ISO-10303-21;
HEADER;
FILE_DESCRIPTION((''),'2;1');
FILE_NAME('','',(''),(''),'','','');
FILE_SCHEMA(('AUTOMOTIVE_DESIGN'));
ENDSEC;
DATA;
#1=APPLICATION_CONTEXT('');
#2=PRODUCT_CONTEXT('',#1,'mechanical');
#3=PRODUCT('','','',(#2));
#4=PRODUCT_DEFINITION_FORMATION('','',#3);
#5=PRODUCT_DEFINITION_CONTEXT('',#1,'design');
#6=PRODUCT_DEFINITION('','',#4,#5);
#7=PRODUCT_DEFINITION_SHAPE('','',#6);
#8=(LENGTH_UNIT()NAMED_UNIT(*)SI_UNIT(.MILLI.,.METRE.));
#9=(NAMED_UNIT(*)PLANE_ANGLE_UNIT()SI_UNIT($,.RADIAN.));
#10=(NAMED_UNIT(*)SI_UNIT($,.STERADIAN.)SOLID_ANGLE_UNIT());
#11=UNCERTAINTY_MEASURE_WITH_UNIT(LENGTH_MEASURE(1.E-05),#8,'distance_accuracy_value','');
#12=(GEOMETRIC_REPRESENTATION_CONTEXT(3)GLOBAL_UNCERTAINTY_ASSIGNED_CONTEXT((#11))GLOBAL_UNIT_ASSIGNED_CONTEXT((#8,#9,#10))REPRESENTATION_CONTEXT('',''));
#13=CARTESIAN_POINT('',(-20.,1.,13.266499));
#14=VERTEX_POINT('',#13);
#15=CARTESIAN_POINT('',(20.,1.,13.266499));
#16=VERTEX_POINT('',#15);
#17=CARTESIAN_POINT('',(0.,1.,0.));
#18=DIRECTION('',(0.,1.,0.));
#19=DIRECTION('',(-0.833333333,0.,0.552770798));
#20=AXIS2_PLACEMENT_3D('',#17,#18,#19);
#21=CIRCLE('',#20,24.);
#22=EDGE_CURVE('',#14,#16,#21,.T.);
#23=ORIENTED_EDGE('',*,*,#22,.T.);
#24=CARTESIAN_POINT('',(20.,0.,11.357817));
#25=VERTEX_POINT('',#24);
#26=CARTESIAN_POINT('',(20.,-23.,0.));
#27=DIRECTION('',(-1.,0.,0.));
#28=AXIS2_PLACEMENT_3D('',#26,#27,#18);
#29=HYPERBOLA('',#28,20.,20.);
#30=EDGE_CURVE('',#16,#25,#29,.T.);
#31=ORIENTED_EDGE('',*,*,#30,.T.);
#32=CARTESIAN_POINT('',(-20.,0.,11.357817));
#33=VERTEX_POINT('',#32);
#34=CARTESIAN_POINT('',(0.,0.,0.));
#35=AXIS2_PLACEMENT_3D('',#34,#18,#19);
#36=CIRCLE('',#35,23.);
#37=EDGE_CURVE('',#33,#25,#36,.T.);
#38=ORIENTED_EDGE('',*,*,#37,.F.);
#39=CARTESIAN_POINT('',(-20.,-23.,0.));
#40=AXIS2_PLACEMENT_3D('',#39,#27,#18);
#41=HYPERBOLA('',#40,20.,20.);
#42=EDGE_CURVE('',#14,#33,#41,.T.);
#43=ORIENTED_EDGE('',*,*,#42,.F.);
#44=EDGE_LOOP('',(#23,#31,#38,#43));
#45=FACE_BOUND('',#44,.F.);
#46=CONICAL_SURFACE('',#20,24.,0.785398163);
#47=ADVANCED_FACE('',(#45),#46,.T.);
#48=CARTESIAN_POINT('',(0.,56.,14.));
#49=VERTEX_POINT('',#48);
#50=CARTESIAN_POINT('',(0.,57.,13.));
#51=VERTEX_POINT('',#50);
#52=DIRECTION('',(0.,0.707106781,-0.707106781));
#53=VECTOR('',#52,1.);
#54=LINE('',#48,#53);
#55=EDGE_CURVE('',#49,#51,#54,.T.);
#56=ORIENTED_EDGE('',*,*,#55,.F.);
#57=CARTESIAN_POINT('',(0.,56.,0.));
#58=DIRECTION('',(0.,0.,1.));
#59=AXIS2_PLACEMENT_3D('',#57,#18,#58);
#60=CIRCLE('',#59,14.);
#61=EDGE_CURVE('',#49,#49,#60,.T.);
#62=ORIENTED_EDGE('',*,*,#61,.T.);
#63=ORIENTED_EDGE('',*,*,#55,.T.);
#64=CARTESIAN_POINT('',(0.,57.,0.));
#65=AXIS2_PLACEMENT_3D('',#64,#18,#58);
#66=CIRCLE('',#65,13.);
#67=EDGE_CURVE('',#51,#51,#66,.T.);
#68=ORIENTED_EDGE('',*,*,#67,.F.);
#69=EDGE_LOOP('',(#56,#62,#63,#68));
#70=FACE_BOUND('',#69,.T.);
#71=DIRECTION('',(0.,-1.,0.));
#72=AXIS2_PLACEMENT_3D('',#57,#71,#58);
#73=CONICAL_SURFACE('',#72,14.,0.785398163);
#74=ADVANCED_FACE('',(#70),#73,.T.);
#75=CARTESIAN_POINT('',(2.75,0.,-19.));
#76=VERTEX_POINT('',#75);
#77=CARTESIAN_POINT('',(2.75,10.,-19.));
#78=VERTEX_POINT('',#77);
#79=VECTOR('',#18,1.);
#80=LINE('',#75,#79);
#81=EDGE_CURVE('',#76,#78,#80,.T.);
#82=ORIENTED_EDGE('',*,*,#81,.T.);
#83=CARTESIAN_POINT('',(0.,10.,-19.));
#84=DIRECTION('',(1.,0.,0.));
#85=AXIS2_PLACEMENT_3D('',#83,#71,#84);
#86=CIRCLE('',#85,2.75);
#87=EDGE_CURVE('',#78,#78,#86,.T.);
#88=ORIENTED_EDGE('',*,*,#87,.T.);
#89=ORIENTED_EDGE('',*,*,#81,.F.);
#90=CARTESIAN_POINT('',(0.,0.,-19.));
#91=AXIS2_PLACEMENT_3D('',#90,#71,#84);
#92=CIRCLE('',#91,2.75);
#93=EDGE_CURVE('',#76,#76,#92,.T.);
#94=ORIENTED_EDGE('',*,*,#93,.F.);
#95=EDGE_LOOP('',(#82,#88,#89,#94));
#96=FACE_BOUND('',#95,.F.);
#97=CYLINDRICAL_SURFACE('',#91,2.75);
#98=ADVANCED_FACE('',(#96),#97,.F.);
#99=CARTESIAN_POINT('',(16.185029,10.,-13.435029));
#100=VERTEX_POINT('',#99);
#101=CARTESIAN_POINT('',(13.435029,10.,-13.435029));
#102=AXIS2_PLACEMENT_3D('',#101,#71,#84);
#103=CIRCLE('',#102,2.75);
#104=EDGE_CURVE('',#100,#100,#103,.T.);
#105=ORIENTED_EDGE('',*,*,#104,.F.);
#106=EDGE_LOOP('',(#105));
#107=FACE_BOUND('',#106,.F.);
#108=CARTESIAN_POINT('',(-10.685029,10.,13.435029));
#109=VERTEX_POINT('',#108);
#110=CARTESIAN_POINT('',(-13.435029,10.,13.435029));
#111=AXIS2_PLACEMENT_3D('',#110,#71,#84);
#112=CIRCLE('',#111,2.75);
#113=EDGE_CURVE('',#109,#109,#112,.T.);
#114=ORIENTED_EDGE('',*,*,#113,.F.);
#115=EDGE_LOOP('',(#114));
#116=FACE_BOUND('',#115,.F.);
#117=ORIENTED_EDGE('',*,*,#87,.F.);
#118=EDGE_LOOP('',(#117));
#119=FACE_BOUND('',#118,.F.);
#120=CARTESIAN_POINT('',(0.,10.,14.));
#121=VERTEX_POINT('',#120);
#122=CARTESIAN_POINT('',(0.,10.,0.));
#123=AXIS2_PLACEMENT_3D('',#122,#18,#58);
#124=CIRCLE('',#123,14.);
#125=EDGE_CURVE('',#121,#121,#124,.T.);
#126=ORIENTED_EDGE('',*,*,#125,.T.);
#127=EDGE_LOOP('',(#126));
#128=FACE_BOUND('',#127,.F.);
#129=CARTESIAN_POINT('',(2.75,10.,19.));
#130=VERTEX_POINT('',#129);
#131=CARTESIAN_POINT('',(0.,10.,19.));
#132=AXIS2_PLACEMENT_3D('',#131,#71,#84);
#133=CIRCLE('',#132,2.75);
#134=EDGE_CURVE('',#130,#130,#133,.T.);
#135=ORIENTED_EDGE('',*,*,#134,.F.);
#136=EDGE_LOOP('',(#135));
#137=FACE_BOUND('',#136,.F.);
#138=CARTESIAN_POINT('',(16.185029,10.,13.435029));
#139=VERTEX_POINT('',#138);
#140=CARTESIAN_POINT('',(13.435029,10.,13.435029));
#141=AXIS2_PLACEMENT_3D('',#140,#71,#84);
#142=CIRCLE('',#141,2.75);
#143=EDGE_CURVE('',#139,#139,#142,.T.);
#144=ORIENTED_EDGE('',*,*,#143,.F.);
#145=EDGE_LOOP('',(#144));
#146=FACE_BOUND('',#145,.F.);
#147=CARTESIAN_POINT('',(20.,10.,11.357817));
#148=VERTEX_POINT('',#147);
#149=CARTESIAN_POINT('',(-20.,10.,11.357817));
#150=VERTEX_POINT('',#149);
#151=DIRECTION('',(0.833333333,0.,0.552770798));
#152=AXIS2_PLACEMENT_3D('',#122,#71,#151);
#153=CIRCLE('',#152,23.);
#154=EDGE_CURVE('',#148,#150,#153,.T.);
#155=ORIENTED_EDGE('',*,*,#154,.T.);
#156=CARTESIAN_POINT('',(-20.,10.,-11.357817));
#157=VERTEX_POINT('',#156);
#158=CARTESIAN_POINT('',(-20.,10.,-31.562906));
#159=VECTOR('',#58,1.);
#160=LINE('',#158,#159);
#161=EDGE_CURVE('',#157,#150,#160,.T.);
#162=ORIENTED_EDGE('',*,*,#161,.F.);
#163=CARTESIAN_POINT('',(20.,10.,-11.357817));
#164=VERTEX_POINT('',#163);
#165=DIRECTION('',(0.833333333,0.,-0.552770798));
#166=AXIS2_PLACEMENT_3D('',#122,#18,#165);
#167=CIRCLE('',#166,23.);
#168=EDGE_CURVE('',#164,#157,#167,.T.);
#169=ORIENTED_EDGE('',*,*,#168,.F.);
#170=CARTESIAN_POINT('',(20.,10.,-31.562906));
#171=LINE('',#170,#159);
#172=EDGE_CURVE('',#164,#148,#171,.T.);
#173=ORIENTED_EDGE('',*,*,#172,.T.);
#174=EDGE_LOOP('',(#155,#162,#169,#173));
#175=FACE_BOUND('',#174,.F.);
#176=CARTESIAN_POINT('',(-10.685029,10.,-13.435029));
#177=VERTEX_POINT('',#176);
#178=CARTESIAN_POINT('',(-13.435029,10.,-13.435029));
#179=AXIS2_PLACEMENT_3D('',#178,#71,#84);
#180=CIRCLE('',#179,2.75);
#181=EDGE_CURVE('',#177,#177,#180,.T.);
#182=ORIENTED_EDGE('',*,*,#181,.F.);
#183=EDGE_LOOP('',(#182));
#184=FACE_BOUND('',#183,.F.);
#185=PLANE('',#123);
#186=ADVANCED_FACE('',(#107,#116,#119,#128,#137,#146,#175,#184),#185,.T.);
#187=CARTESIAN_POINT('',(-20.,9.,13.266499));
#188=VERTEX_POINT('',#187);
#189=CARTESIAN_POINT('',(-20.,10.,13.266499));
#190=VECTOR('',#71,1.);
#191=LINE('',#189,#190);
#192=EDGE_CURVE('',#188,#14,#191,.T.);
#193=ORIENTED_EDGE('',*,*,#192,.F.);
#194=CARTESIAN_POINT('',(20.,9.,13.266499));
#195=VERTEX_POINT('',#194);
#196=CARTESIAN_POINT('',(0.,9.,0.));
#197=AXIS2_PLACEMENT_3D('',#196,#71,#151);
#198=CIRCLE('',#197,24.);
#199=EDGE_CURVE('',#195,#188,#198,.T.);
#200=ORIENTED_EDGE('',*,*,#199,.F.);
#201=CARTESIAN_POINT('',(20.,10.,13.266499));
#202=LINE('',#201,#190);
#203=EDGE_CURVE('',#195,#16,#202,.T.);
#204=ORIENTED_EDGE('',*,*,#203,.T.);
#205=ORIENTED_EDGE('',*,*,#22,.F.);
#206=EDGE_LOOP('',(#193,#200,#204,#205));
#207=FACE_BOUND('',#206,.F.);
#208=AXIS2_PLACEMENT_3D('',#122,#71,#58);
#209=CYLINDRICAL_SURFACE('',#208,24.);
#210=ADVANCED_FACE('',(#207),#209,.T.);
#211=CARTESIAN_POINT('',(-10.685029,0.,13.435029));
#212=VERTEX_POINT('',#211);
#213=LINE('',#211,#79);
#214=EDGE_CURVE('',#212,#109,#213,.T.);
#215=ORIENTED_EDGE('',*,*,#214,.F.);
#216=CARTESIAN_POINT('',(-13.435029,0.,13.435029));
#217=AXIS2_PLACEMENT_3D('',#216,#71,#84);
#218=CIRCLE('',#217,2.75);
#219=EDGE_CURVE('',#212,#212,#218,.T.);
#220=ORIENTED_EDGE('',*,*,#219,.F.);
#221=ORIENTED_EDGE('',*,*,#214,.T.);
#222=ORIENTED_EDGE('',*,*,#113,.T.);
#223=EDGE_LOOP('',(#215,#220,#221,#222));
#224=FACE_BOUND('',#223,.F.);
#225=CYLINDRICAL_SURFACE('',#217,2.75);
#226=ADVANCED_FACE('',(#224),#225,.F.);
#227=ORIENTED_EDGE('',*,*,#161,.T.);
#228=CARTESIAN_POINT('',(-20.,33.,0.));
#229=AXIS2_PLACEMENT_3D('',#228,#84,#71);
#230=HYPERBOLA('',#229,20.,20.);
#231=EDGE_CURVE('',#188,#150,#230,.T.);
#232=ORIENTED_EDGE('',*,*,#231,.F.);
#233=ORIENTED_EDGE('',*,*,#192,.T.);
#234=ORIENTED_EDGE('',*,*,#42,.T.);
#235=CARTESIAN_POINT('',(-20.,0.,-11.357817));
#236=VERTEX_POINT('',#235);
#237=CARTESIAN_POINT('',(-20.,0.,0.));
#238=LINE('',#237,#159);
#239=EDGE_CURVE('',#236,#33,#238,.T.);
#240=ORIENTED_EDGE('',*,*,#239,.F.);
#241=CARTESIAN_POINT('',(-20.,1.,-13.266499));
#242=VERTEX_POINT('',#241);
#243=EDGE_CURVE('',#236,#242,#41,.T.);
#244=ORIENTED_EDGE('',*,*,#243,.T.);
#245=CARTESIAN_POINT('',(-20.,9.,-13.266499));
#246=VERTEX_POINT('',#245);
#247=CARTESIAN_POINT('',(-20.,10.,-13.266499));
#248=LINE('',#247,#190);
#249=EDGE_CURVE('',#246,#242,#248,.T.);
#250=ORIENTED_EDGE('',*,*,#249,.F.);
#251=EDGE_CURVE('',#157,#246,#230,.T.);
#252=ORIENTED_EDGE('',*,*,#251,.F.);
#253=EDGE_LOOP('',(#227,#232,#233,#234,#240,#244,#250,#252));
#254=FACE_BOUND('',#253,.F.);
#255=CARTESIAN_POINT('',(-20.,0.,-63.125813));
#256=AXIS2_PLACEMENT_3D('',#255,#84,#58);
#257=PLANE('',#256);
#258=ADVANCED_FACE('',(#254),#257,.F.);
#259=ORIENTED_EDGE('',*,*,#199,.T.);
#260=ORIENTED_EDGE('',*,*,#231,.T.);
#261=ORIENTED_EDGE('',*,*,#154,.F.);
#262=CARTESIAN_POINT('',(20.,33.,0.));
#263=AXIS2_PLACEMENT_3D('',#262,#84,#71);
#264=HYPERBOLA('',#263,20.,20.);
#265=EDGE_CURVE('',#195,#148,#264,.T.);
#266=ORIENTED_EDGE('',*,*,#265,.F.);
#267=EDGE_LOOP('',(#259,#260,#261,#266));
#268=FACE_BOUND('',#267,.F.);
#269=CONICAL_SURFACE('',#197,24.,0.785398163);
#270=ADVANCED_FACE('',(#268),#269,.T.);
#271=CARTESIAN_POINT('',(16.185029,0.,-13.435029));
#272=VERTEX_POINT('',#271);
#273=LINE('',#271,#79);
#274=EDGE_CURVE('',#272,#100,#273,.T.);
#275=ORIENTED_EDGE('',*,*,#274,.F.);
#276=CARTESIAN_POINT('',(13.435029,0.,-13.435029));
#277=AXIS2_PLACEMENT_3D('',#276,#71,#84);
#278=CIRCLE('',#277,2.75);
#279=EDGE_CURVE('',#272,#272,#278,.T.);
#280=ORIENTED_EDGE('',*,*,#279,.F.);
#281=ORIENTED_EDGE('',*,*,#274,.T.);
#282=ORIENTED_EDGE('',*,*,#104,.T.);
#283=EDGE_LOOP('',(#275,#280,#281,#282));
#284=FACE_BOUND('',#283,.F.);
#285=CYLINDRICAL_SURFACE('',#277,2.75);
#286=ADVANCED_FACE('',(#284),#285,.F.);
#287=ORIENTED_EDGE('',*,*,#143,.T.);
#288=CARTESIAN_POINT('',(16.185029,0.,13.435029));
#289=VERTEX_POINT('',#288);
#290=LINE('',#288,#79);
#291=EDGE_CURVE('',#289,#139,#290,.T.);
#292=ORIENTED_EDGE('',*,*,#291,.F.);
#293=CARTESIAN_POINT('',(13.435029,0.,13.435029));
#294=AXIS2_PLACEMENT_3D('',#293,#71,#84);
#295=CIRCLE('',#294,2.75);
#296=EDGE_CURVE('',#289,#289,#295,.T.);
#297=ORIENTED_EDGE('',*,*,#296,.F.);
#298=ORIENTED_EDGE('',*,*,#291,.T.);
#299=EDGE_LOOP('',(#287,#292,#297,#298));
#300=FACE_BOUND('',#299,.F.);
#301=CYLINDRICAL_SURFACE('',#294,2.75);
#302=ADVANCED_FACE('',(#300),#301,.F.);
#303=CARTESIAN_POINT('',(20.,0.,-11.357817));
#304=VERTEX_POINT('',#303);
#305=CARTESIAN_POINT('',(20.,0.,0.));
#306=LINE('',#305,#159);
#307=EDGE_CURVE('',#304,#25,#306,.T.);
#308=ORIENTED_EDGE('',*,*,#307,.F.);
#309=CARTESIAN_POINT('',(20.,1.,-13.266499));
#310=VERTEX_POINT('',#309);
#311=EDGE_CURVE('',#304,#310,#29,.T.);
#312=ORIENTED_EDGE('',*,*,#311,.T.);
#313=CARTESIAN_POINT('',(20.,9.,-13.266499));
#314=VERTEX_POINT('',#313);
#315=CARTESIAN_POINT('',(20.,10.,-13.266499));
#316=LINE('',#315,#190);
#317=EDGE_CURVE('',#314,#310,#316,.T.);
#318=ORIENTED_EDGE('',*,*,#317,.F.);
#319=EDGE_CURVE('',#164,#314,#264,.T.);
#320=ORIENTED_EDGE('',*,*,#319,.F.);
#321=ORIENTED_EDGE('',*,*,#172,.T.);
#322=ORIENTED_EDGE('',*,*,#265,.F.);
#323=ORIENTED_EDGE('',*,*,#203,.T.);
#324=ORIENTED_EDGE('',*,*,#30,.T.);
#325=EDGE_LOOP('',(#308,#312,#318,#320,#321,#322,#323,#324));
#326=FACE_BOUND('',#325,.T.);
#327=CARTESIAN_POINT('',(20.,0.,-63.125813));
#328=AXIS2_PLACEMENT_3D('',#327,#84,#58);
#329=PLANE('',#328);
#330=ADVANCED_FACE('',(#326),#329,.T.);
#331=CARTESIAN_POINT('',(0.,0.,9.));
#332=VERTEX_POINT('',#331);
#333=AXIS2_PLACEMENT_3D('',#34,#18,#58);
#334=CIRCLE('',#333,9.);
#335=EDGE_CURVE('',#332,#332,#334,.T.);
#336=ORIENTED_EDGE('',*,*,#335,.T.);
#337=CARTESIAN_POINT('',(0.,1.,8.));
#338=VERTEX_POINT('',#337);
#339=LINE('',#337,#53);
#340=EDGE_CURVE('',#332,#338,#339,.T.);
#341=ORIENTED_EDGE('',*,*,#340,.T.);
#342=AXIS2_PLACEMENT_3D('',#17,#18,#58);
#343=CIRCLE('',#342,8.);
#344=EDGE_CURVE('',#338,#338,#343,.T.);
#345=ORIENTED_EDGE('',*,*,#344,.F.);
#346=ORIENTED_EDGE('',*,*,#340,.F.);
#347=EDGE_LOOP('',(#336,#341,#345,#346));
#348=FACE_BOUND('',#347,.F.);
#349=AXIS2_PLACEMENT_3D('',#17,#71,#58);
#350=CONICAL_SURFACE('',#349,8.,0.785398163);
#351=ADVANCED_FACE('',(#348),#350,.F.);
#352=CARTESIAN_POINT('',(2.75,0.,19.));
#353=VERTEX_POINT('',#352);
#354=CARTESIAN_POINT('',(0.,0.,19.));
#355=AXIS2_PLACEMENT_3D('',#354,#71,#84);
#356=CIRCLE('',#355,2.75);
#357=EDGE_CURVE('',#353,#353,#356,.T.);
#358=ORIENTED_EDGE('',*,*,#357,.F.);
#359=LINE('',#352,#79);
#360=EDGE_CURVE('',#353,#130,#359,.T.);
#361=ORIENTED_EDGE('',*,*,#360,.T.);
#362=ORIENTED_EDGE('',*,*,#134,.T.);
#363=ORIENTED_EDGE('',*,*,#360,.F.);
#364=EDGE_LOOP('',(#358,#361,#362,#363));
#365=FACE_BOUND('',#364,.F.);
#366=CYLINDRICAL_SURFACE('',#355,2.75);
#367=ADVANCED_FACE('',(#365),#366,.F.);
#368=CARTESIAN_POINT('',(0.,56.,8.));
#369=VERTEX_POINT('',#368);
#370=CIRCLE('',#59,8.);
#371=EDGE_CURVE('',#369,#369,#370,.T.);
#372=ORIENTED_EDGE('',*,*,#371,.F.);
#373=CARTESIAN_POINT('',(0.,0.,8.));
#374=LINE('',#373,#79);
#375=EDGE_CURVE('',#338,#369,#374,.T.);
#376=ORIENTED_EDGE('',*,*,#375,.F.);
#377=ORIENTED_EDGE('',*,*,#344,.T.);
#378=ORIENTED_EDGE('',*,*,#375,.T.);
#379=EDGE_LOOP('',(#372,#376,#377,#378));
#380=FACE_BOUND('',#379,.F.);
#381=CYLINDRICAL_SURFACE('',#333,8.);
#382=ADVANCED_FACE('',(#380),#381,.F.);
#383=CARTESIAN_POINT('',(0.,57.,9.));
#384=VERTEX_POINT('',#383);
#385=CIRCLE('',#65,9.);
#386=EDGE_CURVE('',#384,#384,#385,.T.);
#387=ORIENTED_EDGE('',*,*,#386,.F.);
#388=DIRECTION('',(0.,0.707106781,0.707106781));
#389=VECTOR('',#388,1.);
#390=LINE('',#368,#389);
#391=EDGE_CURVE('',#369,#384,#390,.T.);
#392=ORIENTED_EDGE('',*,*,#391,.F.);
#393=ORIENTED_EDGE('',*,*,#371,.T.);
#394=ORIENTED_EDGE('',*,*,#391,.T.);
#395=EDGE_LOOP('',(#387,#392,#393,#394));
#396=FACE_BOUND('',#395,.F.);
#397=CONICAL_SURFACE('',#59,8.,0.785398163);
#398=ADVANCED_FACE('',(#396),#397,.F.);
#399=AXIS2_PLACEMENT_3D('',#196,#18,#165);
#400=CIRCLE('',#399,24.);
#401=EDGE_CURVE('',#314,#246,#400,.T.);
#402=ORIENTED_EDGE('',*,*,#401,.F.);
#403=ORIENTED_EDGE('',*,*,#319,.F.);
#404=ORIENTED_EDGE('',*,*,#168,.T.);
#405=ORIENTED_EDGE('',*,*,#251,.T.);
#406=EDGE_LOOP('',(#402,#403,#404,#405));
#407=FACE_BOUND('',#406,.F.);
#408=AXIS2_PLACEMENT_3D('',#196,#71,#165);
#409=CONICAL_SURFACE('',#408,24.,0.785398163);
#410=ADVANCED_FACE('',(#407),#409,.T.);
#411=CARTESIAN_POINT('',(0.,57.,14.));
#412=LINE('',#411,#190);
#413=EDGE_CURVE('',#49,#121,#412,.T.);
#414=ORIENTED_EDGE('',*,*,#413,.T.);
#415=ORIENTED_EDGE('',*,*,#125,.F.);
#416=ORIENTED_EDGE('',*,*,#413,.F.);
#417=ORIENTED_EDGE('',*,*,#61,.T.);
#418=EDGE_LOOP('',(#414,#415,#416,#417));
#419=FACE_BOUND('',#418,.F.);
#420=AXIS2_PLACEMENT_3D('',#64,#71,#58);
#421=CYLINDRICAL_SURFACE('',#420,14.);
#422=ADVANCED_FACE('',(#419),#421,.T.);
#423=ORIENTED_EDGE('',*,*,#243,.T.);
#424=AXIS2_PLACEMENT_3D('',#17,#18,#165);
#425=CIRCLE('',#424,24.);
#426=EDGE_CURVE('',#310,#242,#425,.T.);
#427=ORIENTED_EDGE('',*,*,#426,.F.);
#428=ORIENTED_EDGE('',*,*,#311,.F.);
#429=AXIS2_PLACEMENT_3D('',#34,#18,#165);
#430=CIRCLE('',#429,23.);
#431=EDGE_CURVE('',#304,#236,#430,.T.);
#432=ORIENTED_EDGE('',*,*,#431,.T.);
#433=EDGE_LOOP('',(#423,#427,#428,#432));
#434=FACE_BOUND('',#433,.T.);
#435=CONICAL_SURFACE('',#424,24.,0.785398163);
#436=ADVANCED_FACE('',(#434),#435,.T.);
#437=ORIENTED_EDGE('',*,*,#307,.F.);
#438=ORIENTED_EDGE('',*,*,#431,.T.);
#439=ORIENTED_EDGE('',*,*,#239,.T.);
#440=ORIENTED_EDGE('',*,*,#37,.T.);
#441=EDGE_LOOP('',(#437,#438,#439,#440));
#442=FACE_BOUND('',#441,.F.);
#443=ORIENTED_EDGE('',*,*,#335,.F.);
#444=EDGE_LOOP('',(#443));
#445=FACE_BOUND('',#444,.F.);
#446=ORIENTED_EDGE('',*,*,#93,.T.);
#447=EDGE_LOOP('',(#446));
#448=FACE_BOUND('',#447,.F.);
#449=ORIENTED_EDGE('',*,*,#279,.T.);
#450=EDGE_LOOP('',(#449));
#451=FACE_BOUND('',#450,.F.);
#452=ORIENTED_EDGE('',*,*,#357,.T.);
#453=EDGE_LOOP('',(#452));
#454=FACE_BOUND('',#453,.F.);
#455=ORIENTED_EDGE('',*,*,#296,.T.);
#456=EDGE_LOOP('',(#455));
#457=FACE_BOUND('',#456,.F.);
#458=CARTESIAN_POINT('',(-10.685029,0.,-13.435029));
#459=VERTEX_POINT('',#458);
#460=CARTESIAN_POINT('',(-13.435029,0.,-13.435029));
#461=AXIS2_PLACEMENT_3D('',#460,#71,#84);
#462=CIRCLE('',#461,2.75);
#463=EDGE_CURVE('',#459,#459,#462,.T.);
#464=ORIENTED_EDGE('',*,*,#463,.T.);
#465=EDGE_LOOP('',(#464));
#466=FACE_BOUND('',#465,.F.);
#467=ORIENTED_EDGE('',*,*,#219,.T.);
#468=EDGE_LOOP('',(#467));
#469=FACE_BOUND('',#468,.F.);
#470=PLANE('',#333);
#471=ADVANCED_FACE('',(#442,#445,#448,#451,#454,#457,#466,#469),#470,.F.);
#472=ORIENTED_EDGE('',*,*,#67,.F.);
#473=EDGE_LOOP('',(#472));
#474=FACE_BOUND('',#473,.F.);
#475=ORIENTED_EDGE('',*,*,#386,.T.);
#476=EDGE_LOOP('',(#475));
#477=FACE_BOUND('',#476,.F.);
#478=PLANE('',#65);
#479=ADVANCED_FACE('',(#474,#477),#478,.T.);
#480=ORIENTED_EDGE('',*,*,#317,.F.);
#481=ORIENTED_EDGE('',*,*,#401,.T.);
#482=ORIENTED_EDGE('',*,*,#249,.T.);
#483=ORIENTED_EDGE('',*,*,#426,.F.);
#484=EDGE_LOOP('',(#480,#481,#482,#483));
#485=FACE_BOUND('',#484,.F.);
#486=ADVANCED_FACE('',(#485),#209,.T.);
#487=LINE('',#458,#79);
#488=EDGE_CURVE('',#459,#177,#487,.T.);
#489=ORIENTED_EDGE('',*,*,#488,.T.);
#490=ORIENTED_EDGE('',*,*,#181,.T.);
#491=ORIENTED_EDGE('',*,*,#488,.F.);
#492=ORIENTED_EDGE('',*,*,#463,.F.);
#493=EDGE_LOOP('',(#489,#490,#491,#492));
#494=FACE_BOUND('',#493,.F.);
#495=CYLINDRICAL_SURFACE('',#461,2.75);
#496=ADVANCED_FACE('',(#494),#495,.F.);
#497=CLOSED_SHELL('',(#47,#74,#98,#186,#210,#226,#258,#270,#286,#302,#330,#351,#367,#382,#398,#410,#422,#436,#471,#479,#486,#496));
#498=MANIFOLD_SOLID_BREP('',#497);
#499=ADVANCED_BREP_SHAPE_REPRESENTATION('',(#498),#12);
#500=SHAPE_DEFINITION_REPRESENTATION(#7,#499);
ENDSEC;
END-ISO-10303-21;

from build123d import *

# Parameters (mm, degrees)
F2_W     = 73.8781243563
F2_H     = 160.1297496091
F2_W_2   = 40
F2_H_2   = 126.2516252528
F3_DEPTH = 25
F4_R     = 2.75
F5_DEPTH = 25
F6_SIZE  = 1


with BuildPart() as f1:
    # F0 (on Right) → F1 (revolve)
    with BuildSketch(Plane.YZ):
        Polygon((10, 24), (0, 24), (0, 8), (57, 8), (57, 14), (10, 14), align=None)
    revolve(axis=Axis((0, 17.6531788457, 0), (0, 1, 0)))

    # F2 (on face) → F3 (cut)
    with BuildSketch(Plane.XZ):
        Rectangle(F2_W, F2_H)
        Rectangle(F2_W_2, F2_H_2, mode=Mode.SUBTRACT)
    extrude(amount=-F3_DEPTH, mode=Mode.SUBTRACT)

    # F4 (on face) → F5 (cut)
    with BuildSketch(Plane.XZ):
        with Locations((0, 19)):
            Circle(F4_R)
        with Locations((-13.4350288425, 13.4350288425)):
            Circle(F4_R)
        with Locations((-13.4350288425, -13.4350288425)):
            Circle(F4_R)
        with Locations((0, -19)):
            Circle(F4_R)
        with Locations((13.4350288425, -13.4350288425)):
            Circle(F4_R)
        with Locations((13.4350288425, 13.4350288425)):
            Circle(F4_R)
    extrude(amount=-F5_DEPTH, mode=Mode.SUBTRACT)

    # F6
    f6_edges = [f1.edges().sort_by_distance(p)[0] for p in [
        (0, 0, -8),
        (0, 57, -8),
        (0, 28.5, 8),
        (0, 57, -14),
        (0, 0, 24),
        (0, 0, -24),
        (0, 10, 24),
        (0, 10, -24),
    ]]
    chamfer(f6_edges, length=F6_SIZE)


solid = f1.part
